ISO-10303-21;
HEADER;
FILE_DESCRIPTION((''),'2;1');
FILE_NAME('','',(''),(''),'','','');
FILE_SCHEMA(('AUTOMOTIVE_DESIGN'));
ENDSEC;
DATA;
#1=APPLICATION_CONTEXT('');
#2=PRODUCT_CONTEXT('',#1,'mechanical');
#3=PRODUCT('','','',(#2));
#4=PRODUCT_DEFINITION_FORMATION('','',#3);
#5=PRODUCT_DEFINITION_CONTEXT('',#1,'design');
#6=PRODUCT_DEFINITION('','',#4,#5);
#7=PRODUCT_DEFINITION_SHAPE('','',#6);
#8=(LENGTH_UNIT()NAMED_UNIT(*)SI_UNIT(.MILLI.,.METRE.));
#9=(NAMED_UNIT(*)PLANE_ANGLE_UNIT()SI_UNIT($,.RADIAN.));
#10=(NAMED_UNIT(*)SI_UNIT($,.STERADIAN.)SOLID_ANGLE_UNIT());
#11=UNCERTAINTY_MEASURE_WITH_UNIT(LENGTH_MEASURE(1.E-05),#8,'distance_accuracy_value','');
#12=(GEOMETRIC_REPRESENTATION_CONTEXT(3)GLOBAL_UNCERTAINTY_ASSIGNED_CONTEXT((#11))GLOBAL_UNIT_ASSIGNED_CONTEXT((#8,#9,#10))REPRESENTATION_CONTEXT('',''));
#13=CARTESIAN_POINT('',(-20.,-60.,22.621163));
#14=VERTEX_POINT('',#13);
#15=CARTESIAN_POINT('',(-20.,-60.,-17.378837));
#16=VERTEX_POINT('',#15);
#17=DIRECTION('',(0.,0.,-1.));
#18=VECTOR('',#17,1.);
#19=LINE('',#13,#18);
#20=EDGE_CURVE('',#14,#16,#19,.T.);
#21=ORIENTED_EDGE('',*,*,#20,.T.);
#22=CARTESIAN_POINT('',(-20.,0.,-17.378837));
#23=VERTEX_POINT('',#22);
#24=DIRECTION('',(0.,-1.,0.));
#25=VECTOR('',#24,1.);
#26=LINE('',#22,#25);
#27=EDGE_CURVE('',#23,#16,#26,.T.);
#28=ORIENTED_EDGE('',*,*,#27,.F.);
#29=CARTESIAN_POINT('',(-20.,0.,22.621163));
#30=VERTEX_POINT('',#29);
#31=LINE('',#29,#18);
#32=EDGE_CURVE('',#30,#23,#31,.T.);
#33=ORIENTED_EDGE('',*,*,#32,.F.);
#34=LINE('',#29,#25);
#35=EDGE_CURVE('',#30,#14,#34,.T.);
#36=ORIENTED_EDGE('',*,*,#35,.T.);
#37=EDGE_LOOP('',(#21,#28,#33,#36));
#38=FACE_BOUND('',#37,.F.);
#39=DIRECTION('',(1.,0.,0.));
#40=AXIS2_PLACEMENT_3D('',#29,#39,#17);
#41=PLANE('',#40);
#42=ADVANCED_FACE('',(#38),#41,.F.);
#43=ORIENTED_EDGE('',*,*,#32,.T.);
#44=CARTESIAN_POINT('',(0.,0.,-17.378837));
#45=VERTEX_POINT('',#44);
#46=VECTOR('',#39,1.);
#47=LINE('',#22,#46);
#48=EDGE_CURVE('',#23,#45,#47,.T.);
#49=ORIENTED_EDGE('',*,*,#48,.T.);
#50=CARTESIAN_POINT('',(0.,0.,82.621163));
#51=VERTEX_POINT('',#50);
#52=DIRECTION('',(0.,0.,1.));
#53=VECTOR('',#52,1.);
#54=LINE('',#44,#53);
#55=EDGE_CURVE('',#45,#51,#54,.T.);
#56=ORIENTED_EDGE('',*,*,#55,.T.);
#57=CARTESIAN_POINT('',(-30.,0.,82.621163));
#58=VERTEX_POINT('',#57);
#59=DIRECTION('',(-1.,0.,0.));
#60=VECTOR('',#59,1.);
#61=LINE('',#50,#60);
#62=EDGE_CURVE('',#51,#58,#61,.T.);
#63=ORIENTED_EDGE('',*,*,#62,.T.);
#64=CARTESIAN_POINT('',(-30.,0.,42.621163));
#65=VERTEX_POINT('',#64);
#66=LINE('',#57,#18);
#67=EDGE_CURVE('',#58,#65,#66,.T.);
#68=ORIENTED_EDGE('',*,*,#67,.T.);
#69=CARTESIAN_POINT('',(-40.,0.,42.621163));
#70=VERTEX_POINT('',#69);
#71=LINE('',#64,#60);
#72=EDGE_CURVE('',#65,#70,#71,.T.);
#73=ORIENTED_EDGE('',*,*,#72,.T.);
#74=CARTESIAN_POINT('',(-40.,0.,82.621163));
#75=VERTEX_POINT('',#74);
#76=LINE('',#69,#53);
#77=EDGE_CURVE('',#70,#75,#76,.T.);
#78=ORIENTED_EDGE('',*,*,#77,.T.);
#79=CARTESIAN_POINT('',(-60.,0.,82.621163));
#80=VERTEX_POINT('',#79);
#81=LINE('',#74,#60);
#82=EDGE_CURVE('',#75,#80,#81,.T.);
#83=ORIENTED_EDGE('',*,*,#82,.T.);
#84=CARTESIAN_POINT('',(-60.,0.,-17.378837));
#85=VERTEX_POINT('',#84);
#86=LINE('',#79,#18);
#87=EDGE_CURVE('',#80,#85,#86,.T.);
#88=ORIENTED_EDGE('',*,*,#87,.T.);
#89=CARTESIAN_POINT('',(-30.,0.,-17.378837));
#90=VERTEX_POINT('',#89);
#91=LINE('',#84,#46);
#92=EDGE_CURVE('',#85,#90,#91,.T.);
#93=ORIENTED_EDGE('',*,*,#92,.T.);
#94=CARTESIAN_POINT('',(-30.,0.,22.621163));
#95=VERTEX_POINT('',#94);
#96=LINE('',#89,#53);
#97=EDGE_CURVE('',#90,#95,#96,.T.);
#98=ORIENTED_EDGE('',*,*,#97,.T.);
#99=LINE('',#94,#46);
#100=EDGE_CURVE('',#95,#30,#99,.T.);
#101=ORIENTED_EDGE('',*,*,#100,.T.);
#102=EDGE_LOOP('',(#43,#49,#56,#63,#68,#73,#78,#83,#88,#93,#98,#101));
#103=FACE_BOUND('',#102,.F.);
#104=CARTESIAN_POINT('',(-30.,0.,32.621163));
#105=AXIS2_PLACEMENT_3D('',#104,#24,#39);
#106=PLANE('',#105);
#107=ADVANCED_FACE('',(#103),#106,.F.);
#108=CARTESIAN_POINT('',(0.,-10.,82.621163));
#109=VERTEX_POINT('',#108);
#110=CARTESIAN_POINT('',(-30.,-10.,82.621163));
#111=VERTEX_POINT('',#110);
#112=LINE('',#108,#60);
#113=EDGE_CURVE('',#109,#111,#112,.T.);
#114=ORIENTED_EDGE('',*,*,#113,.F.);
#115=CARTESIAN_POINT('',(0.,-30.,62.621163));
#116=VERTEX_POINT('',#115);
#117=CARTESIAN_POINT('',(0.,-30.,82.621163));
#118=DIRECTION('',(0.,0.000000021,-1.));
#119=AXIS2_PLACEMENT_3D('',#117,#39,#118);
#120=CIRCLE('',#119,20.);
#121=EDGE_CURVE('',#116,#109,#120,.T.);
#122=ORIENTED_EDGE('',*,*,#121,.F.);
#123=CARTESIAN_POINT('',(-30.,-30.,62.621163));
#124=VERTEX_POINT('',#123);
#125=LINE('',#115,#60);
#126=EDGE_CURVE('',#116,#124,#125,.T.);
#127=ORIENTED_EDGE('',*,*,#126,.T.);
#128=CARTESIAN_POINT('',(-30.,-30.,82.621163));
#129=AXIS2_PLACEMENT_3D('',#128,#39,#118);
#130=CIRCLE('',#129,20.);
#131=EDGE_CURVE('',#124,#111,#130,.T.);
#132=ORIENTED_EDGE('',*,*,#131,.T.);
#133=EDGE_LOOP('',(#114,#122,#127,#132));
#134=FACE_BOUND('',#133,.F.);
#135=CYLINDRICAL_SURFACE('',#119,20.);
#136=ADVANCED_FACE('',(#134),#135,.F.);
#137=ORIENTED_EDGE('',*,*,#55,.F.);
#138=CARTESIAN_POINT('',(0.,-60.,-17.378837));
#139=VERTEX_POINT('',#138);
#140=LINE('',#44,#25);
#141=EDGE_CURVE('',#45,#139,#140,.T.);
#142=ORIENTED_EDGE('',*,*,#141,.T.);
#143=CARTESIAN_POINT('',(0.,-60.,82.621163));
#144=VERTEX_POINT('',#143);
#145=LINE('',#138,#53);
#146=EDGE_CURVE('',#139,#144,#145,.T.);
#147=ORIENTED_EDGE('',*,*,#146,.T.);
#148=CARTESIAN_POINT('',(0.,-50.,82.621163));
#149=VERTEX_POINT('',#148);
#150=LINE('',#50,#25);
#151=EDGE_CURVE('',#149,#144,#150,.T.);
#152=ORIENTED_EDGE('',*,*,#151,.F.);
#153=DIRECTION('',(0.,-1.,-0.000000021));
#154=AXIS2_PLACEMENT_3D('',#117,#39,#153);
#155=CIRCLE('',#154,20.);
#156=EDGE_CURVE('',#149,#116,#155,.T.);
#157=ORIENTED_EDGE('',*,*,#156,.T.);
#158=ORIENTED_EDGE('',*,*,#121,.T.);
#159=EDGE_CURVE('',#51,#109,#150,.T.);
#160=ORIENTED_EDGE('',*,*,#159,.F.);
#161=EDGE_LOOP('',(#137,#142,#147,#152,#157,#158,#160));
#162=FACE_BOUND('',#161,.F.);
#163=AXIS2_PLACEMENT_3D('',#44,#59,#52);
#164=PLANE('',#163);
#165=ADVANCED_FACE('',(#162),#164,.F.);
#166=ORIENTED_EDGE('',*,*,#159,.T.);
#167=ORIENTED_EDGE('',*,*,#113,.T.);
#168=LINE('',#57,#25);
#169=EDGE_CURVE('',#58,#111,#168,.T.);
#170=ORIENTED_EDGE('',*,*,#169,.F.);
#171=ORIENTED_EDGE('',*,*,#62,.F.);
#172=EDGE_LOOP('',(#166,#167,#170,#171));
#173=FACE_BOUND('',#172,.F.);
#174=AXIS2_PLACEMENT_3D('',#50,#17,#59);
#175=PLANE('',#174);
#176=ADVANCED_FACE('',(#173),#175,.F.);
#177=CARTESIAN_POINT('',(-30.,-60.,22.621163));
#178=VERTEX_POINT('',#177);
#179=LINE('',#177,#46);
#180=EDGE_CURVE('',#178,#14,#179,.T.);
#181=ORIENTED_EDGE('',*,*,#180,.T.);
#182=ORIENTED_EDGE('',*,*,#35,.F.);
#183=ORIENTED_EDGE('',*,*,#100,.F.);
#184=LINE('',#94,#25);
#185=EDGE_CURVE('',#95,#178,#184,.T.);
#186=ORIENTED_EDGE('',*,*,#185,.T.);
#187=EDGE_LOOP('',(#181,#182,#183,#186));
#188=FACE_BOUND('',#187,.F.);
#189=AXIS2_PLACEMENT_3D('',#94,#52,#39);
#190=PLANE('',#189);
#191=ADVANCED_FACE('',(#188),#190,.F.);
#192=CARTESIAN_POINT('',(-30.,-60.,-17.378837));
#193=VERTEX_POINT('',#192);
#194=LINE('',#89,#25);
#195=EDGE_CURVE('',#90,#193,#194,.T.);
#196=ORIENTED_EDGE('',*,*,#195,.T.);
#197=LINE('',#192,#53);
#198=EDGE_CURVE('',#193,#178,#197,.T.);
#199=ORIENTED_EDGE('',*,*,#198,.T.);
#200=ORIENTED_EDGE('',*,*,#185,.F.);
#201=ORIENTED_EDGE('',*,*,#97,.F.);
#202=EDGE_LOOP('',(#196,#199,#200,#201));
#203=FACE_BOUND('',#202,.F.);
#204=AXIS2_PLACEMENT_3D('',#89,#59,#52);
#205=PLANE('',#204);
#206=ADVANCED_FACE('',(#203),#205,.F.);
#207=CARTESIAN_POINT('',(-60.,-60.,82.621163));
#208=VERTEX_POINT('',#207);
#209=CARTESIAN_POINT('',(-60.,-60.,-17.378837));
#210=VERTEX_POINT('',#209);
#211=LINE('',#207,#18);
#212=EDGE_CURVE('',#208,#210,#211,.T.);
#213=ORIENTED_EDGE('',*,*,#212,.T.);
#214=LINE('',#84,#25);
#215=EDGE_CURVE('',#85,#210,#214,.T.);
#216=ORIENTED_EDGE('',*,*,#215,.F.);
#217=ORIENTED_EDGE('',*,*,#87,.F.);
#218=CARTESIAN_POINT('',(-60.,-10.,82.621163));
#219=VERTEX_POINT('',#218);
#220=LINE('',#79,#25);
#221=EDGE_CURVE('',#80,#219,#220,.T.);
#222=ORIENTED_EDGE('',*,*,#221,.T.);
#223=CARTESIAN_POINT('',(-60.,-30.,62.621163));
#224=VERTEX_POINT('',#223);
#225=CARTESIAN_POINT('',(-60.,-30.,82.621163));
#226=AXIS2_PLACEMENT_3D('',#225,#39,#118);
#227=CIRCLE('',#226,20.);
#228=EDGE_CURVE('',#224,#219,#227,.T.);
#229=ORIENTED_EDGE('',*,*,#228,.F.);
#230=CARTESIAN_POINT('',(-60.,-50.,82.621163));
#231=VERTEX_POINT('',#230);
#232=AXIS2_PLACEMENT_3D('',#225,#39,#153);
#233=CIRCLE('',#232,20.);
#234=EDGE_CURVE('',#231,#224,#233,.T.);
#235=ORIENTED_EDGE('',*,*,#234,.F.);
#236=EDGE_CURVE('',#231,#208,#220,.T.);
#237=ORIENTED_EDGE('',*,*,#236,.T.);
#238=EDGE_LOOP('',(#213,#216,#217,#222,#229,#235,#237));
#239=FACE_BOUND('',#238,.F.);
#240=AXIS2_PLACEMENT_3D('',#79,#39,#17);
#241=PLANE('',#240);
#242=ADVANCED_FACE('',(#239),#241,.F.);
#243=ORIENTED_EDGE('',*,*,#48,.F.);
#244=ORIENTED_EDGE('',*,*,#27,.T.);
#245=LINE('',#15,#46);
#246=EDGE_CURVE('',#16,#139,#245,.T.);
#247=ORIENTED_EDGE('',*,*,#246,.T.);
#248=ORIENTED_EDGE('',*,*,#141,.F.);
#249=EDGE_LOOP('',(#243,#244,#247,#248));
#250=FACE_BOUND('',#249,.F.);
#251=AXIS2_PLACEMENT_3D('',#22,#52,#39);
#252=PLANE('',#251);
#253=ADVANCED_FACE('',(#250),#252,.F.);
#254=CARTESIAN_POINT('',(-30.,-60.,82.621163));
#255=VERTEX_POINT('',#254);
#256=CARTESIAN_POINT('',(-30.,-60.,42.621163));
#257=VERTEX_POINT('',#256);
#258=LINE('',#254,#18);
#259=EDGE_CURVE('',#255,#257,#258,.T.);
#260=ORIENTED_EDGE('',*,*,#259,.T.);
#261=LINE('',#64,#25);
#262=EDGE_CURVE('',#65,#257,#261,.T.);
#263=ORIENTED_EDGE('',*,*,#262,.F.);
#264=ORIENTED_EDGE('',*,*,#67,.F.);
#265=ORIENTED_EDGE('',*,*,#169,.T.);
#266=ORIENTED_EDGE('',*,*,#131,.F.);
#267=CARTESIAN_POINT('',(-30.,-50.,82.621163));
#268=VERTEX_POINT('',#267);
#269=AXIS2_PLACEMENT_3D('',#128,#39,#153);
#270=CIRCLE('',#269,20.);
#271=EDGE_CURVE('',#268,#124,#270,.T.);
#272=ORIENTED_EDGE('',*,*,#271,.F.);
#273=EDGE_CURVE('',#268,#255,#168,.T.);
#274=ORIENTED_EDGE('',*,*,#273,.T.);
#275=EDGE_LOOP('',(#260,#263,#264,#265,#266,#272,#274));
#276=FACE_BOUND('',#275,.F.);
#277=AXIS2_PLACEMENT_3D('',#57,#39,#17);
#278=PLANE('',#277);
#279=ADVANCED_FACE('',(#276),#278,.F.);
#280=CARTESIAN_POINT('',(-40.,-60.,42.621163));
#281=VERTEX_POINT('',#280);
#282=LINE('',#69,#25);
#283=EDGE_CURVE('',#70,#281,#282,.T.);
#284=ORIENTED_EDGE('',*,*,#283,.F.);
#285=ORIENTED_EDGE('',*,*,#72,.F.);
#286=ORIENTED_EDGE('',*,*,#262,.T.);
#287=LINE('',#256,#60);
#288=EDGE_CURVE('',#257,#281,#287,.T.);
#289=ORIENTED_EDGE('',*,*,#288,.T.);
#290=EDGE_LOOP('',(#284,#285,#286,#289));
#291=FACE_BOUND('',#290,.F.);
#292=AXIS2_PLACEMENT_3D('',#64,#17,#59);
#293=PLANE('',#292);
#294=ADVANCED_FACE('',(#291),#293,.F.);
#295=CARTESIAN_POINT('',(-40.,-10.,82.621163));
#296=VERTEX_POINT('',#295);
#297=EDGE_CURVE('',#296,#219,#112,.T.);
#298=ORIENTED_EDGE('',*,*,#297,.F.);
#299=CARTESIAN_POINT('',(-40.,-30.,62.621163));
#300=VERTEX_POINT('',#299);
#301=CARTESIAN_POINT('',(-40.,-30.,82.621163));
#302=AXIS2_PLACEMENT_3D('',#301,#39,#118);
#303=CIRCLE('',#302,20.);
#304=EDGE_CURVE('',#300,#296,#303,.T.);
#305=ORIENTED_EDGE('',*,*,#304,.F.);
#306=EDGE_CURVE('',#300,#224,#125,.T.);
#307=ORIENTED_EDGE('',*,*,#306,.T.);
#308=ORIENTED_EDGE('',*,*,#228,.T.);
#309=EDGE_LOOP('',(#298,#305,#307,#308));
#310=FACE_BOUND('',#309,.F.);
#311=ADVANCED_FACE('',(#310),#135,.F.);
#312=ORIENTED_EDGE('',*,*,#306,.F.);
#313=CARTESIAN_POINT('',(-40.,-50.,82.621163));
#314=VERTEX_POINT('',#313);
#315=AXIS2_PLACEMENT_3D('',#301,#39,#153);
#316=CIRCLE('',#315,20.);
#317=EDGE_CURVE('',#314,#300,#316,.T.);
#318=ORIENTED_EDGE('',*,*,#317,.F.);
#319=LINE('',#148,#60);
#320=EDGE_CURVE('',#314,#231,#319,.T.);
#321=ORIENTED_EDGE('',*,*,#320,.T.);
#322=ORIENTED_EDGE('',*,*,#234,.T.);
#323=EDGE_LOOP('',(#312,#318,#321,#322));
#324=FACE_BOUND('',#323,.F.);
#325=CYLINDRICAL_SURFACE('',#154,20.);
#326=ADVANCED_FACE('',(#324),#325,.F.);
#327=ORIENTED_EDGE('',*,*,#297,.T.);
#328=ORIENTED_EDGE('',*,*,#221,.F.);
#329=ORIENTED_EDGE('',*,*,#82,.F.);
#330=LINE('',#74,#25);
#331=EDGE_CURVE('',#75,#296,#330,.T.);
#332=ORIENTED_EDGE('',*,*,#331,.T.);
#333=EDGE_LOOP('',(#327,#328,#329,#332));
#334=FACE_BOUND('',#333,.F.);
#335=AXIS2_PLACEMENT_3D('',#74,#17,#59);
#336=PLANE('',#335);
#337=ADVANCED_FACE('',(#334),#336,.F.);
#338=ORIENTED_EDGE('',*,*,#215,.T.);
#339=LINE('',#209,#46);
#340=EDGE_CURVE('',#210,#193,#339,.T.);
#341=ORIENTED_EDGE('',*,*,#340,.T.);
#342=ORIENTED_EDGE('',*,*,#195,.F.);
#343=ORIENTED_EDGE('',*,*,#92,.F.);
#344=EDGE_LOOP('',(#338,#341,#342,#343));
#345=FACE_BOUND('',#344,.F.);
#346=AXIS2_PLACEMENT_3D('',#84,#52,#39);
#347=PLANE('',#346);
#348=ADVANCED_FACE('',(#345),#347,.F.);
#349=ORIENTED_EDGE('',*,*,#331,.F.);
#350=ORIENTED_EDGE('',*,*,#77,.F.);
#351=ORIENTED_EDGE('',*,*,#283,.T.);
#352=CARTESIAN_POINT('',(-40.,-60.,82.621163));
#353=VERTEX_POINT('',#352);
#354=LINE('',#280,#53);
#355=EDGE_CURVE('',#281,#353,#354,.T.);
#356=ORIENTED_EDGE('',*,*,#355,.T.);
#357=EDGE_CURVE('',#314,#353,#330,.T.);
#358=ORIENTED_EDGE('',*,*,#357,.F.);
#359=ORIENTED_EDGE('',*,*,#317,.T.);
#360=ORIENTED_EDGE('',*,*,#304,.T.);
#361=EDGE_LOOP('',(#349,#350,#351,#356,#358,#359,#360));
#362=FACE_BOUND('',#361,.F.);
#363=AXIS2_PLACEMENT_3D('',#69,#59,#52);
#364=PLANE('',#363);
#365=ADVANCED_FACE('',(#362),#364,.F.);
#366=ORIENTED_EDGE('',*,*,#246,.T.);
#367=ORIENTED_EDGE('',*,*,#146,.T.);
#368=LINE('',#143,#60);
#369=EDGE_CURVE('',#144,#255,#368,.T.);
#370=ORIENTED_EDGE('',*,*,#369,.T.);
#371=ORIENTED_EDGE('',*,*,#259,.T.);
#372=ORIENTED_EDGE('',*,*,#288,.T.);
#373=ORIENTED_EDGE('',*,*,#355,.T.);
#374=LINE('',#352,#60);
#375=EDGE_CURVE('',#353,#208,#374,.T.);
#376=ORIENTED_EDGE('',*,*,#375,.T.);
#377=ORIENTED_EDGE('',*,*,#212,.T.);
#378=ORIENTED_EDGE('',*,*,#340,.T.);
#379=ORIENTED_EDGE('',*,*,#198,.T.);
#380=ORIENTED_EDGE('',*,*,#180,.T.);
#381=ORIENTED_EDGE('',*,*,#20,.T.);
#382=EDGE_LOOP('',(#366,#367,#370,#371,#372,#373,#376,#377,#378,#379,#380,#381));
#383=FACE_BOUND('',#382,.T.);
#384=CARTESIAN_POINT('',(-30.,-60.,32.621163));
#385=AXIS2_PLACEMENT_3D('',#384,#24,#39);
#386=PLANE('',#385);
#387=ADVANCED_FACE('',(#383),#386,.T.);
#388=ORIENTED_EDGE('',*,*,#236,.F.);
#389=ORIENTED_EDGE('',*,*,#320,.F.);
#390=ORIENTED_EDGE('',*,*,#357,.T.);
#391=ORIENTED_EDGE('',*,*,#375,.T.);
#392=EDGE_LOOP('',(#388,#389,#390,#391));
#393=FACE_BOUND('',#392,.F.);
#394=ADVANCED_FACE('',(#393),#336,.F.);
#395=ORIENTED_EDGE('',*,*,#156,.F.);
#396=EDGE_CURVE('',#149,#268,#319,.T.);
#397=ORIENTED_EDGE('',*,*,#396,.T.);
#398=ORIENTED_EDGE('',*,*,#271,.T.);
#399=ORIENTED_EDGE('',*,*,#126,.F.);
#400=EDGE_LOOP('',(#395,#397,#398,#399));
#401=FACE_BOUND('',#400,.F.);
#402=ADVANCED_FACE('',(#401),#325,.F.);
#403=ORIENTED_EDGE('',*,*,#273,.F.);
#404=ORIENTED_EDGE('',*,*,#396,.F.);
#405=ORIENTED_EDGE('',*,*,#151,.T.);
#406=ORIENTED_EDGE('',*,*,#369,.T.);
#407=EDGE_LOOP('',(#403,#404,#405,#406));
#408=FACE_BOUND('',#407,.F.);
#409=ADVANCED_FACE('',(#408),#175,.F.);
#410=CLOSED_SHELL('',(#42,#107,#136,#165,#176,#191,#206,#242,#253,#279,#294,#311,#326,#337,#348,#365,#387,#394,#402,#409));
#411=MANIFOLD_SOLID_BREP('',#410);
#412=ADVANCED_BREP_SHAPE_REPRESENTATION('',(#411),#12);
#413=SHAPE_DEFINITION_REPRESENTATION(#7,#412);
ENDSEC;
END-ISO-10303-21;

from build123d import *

# Parameters (mm, degrees)
F1_DEPTH = 60
F3_DEPTH = 60


with BuildPart() as f1:
    # F0 (on Front) → F1 (new body)
    with BuildSketch(Plane.XZ):
        Polygon((-40, 82.621163), (-60, 82.621163), (-60, -17.378837), (-30, -17.378837), (-30, 22.621163), (-20, 22.621163), (-20, -17.378837), (0, -17.378837), (0, 82.621163), (-30, 82.621163), (-30, 42.621163), (-40, 42.621163), align=None)
    extrude(amount=F1_DEPTH)

    # F2 (on face) → F3 (cut)
    with BuildSketch(Plane.YZ):
        with BuildLine():
            Line((-10, 82.621163), (-50, 82.621163))
            ThreePointArc((-50, 82.621163), (-44.142136, 68.479028), (-30, 62.621163))
            ThreePointArc((-30, 62.621163), (-15.857864, 68.479028), (-10, 82.621163))
        make_face()
    extrude(amount=-F3_DEPTH, mode=Mode.SUBTRACT)


solid = f1.part
